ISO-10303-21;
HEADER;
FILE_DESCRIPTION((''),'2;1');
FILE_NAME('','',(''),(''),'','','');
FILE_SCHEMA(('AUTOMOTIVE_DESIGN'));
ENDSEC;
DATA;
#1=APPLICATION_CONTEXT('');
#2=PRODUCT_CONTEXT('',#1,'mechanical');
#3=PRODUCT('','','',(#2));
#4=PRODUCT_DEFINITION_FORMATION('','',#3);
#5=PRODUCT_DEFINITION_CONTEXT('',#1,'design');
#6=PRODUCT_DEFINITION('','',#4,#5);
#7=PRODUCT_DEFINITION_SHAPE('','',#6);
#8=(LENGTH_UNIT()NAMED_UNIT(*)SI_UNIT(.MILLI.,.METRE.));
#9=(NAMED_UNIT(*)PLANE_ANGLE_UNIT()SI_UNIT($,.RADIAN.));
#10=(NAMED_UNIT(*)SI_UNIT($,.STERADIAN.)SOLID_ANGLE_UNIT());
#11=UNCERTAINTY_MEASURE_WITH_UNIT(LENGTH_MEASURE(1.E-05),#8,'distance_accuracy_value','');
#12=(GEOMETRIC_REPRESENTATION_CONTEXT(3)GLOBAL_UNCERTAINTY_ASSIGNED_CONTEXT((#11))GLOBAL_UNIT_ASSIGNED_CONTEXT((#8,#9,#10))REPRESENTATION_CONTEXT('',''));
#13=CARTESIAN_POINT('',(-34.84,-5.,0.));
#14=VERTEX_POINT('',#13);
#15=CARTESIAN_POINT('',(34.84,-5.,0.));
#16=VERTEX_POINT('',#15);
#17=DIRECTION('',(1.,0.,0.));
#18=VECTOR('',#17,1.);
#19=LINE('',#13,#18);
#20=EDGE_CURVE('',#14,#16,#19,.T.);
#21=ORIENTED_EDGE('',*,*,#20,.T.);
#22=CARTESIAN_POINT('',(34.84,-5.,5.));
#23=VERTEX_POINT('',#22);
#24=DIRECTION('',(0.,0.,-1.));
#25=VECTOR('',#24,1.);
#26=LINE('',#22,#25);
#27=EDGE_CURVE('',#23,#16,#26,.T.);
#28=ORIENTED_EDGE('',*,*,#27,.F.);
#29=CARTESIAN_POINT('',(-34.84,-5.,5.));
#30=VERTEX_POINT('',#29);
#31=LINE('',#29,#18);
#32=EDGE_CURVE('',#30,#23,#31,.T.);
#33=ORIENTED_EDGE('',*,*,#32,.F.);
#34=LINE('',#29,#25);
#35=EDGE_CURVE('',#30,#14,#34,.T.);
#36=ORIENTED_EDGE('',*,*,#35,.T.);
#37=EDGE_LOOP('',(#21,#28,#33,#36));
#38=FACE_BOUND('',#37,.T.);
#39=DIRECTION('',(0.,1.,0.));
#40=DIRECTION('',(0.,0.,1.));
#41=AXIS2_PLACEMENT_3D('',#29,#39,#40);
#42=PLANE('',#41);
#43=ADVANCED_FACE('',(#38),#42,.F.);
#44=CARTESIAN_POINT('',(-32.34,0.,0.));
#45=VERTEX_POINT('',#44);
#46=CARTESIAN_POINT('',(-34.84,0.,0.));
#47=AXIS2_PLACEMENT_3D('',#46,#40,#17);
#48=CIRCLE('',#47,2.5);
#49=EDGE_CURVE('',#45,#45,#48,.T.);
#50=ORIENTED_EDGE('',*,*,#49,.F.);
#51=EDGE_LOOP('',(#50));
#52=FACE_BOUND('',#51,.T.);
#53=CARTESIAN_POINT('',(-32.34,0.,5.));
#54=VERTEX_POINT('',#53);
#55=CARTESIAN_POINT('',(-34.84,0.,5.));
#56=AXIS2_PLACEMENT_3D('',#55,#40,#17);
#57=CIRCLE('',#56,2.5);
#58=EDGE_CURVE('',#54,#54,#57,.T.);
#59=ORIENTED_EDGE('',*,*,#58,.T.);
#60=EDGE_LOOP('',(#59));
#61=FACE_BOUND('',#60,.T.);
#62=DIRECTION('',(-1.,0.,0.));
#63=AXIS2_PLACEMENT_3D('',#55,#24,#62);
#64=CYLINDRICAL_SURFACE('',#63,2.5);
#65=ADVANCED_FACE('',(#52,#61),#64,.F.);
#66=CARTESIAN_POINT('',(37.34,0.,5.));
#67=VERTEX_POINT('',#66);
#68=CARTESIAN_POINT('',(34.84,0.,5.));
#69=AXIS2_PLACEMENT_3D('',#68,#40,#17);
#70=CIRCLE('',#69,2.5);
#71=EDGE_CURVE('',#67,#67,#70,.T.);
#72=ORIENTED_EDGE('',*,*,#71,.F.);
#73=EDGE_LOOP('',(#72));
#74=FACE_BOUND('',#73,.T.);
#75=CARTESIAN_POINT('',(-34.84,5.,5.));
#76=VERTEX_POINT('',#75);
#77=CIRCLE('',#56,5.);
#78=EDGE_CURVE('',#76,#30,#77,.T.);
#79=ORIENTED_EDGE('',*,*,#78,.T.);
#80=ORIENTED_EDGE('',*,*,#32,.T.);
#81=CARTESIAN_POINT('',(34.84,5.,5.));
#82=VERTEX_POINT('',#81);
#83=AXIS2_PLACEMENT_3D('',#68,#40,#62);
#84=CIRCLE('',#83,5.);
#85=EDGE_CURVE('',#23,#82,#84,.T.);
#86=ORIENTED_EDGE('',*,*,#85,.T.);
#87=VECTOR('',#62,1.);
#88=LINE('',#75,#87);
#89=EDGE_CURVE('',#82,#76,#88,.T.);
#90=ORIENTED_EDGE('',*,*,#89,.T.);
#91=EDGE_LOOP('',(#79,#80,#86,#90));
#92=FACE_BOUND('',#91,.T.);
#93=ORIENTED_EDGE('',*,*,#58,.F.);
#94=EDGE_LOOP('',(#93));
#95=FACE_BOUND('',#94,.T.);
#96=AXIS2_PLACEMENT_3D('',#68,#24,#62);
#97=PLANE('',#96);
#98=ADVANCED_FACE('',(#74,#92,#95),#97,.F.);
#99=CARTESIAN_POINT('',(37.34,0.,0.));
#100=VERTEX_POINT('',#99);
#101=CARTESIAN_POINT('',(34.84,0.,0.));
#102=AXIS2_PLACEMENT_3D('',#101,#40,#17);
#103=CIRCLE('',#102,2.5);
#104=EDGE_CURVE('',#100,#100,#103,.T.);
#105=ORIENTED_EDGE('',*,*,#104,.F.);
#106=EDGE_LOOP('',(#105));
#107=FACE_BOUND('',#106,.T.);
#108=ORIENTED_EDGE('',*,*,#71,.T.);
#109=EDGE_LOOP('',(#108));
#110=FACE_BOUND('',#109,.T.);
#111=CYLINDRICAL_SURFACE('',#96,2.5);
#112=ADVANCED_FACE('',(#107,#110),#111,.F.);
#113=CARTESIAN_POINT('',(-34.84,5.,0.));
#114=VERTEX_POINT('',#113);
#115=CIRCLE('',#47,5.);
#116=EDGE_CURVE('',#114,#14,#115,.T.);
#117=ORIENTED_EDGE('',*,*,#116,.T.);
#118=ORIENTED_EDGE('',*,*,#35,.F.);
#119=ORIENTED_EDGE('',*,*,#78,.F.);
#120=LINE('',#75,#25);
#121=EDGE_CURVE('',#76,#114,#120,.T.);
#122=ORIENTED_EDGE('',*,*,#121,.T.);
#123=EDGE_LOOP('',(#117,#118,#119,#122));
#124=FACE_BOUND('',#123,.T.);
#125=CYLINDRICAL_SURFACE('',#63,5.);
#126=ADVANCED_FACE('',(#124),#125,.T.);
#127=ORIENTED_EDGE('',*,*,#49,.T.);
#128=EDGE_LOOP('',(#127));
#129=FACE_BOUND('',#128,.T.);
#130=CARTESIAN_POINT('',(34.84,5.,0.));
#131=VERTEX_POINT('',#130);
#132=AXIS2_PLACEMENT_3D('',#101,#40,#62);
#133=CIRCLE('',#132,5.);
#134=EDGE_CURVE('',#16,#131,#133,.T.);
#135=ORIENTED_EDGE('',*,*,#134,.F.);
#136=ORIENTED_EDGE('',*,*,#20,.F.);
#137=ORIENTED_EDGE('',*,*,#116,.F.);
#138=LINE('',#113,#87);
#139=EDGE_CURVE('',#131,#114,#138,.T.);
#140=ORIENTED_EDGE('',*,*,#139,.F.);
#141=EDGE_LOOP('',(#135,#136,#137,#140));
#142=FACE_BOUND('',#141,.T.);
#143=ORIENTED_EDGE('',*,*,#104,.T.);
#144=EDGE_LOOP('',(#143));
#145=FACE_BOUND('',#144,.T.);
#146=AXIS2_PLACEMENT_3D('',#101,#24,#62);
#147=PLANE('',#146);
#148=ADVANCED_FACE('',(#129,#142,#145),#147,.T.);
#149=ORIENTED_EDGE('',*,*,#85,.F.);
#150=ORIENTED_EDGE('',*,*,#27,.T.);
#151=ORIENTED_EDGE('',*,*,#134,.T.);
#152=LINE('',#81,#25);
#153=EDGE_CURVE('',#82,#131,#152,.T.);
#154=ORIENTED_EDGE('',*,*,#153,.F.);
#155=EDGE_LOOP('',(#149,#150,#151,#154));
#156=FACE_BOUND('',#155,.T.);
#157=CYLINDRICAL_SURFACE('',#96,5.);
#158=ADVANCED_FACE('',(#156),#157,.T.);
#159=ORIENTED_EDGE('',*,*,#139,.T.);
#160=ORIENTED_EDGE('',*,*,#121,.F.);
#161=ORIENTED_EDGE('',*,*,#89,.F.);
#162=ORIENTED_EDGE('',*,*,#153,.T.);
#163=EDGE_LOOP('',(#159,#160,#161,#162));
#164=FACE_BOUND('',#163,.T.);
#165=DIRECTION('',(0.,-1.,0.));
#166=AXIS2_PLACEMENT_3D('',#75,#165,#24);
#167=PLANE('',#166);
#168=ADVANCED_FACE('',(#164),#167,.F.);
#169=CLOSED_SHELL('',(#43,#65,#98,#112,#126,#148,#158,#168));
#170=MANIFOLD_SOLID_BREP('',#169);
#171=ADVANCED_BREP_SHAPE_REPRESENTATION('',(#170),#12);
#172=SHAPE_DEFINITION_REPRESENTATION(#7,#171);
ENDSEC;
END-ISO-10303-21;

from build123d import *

# Parameters (mm, degrees)
ESBO_O1_R                = 2.5
RESSALTO_EXTRUS_O1_DEPTH = 5


with BuildPart() as part:
    # Esboço1 → Ressalto-extrusão1 (new body)
    with BuildSketch(Plane.XY):
        with BuildLine():
            Line((-34.84, 5), (34.84, 5))
            ThreePointArc((34.84, 5), (39.84, 0), (34.84, -5))
            Line((34.84, -5), (-34.84, -5))
            ThreePointArc((-34.84, -5), (-39.84, 0), (-34.84, 5))
        make_face()
        with Locations((-34.84, 0)):
            Circle(ESBO_O1_R, mode=Mode.SUBTRACT)
        with Locations((34.84, 0)):
            Circle(ESBO_O1_R, mode=Mode.SUBTRACT)
    extrude(amount=RESSALTO_EXTRUS_O1_DEPTH)


solid = part.part
